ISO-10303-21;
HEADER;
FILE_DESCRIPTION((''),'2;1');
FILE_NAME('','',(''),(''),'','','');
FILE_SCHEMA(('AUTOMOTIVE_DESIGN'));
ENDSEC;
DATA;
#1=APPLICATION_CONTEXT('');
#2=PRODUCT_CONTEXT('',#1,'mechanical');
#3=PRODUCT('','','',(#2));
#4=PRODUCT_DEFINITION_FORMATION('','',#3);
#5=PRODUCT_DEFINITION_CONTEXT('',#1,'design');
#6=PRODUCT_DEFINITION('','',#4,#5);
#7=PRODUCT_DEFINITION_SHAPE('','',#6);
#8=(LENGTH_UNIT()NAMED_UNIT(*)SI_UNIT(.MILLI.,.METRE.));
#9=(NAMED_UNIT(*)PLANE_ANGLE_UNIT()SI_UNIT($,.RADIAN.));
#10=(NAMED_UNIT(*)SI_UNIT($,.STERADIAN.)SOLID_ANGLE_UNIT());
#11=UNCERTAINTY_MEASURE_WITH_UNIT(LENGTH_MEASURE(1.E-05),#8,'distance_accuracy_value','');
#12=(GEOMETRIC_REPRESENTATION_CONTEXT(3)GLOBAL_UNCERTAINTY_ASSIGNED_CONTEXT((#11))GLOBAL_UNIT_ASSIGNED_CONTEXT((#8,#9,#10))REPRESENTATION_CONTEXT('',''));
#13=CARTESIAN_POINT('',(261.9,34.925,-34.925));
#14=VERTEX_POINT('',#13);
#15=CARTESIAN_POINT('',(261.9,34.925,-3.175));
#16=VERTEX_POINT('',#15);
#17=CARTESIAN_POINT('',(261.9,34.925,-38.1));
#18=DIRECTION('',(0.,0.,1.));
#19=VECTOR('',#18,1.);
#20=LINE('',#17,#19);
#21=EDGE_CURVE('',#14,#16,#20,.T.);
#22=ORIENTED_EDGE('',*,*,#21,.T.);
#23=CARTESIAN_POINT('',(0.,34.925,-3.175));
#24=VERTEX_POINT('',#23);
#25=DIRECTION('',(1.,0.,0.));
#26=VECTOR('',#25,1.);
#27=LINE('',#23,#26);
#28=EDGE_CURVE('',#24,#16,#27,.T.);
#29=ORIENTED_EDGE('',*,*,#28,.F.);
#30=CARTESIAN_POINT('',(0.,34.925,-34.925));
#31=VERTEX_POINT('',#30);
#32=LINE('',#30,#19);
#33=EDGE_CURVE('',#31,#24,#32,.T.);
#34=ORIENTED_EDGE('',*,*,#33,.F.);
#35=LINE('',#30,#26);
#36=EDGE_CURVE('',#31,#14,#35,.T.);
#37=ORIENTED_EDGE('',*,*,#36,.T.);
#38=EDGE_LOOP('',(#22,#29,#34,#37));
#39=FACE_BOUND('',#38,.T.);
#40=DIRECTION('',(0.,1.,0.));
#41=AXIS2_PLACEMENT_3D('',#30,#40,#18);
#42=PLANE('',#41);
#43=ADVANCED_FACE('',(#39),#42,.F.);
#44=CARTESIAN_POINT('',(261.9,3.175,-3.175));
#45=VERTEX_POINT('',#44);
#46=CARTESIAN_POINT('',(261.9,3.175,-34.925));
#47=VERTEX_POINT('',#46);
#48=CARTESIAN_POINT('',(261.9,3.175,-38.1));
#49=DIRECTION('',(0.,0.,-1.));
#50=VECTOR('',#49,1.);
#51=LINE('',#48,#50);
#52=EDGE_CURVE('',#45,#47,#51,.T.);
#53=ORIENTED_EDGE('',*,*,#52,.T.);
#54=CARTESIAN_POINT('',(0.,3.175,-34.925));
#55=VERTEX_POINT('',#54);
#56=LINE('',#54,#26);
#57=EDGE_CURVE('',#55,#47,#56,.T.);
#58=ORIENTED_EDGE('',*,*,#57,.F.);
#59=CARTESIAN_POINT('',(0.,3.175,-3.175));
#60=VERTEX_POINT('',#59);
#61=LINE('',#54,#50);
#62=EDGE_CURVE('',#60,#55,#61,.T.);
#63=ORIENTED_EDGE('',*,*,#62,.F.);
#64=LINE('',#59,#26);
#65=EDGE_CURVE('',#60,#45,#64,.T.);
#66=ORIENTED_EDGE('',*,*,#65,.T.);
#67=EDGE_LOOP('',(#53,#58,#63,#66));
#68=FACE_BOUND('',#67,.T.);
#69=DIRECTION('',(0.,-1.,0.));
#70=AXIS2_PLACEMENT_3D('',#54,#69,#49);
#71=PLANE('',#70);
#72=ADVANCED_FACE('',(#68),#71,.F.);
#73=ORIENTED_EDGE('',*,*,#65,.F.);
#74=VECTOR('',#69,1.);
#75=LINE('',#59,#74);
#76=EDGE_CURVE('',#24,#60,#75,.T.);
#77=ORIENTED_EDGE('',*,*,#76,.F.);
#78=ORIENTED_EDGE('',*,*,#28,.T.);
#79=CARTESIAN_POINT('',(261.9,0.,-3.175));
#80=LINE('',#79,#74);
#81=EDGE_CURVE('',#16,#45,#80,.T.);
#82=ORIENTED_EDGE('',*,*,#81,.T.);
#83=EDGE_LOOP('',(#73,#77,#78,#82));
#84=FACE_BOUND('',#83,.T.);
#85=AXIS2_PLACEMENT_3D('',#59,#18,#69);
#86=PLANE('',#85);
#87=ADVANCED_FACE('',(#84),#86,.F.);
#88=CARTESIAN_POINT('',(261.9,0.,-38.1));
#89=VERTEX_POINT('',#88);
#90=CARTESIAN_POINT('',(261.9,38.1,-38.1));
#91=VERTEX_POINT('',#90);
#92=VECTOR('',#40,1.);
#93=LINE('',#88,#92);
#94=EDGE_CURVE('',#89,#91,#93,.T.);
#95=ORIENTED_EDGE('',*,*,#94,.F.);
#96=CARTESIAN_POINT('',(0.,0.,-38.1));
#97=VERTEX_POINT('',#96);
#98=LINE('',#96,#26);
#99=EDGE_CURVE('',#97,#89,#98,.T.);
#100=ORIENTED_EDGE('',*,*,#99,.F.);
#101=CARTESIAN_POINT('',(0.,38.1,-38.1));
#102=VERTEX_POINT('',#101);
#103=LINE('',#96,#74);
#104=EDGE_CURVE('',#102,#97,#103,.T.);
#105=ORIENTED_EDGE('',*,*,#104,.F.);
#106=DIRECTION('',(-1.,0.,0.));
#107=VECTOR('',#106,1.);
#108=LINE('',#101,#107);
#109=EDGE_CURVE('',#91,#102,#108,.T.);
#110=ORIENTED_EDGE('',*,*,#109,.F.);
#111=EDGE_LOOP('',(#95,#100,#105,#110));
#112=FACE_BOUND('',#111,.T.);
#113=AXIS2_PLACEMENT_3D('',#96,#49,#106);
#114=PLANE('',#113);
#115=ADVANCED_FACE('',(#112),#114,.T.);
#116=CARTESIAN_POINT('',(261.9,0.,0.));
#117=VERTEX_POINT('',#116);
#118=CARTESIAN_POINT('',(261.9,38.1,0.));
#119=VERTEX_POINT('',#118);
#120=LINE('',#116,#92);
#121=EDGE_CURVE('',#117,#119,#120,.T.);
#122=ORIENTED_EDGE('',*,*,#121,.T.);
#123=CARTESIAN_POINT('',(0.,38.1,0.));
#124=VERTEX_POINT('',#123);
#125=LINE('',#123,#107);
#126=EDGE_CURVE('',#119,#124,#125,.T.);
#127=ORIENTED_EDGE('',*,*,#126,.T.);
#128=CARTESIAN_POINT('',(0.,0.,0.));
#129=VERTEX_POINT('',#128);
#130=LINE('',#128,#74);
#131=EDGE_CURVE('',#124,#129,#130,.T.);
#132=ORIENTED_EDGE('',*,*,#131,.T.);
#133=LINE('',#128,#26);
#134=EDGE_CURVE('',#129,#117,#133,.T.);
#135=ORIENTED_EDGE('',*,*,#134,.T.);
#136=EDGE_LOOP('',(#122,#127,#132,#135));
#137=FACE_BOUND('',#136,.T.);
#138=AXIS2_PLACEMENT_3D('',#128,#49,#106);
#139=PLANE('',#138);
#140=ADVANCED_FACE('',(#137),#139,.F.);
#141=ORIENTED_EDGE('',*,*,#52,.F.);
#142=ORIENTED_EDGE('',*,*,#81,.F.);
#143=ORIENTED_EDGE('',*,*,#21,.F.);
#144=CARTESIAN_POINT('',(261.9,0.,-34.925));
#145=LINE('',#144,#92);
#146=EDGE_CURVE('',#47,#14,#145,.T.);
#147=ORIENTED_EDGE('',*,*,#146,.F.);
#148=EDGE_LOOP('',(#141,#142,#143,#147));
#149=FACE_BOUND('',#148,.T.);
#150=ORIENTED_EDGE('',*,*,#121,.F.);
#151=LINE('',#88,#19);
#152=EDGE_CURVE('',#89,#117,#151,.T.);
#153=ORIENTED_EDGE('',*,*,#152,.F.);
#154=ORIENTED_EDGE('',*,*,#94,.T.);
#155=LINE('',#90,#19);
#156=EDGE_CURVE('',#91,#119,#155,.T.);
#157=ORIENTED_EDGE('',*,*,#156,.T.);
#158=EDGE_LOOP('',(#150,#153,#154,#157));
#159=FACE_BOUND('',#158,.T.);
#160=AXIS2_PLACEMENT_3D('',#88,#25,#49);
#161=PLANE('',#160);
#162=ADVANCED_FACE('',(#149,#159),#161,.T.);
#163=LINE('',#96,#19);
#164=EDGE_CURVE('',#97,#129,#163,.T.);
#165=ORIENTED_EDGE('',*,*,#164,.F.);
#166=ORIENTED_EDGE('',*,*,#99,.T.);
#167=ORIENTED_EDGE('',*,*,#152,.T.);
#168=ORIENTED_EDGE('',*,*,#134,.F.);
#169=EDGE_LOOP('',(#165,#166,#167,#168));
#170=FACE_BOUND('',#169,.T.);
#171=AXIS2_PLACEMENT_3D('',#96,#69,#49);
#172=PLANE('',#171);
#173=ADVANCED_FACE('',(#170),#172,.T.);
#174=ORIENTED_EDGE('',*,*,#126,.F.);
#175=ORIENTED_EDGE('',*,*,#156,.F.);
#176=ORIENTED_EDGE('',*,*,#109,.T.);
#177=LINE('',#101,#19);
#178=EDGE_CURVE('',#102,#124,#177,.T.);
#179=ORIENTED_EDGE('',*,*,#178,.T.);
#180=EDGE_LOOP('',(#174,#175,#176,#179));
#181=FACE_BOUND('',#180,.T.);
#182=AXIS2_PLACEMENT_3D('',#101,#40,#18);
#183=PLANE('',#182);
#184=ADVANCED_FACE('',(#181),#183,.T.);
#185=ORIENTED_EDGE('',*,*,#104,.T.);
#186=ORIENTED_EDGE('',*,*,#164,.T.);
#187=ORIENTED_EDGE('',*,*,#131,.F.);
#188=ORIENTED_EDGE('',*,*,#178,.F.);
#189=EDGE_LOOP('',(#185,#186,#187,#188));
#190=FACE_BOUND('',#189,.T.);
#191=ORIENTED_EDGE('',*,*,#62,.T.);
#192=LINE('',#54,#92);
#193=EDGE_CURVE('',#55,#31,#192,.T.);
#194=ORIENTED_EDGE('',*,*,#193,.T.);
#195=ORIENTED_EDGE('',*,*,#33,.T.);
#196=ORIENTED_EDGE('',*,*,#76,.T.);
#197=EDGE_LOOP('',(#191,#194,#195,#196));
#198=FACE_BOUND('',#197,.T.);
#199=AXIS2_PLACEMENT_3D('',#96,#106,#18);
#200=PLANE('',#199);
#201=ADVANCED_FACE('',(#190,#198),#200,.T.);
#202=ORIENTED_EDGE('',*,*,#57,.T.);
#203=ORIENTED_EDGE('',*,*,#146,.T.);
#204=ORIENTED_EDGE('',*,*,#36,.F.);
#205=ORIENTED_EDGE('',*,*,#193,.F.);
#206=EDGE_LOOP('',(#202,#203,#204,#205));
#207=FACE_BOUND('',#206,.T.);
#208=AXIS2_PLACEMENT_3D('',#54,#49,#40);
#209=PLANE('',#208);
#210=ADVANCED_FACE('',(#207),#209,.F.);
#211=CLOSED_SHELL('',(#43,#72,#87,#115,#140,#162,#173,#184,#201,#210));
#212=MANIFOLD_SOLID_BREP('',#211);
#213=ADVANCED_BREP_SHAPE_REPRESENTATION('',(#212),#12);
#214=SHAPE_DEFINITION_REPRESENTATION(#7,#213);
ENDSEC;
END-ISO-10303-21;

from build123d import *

# Parameters (mm, degrees)
SKETCH1_W               = 261.9
SKETCH1_H               = 38.1
BOSS_EXTRUDE1_DEPTH     = 38.1
SKETCH2_W               = 31.75
SKETCH2_H               = 31.75
CUT_EXTRUDE1_DEPTH      = 1
CUT_EXTRUDE1_DEPTH_BACK = 262.9


with BuildPart() as part:
    # Sketch1 → Boss-Extrude1 (new body)
    with BuildSketch(Plane.XY):
        with Locations((130.95, 19.05)):
            Rectangle(SKETCH1_W, SKETCH1_H)
    extrude(amount=-BOSS_EXTRUDE1_DEPTH)

    # Sketch2 → Cut-Extrude1 (cut, two sides)
    with BuildSketch(Plane(origin=(261.9, 0, 0), x_dir=(0, 0, -1), z_dir=(1, 0, 0))) as cut_extrude1_sk:
        with Locations((19.05, 19.05)):
            Rectangle(SKETCH2_W, SKETCH2_H)
    extrude(amount=CUT_EXTRUDE1_DEPTH, mode=Mode.SUBTRACT)
    extrude(cut_extrude1_sk.sketch, amount=-CUT_EXTRUDE1_DEPTH_BACK, mode=Mode.SUBTRACT)


solid = part.part
